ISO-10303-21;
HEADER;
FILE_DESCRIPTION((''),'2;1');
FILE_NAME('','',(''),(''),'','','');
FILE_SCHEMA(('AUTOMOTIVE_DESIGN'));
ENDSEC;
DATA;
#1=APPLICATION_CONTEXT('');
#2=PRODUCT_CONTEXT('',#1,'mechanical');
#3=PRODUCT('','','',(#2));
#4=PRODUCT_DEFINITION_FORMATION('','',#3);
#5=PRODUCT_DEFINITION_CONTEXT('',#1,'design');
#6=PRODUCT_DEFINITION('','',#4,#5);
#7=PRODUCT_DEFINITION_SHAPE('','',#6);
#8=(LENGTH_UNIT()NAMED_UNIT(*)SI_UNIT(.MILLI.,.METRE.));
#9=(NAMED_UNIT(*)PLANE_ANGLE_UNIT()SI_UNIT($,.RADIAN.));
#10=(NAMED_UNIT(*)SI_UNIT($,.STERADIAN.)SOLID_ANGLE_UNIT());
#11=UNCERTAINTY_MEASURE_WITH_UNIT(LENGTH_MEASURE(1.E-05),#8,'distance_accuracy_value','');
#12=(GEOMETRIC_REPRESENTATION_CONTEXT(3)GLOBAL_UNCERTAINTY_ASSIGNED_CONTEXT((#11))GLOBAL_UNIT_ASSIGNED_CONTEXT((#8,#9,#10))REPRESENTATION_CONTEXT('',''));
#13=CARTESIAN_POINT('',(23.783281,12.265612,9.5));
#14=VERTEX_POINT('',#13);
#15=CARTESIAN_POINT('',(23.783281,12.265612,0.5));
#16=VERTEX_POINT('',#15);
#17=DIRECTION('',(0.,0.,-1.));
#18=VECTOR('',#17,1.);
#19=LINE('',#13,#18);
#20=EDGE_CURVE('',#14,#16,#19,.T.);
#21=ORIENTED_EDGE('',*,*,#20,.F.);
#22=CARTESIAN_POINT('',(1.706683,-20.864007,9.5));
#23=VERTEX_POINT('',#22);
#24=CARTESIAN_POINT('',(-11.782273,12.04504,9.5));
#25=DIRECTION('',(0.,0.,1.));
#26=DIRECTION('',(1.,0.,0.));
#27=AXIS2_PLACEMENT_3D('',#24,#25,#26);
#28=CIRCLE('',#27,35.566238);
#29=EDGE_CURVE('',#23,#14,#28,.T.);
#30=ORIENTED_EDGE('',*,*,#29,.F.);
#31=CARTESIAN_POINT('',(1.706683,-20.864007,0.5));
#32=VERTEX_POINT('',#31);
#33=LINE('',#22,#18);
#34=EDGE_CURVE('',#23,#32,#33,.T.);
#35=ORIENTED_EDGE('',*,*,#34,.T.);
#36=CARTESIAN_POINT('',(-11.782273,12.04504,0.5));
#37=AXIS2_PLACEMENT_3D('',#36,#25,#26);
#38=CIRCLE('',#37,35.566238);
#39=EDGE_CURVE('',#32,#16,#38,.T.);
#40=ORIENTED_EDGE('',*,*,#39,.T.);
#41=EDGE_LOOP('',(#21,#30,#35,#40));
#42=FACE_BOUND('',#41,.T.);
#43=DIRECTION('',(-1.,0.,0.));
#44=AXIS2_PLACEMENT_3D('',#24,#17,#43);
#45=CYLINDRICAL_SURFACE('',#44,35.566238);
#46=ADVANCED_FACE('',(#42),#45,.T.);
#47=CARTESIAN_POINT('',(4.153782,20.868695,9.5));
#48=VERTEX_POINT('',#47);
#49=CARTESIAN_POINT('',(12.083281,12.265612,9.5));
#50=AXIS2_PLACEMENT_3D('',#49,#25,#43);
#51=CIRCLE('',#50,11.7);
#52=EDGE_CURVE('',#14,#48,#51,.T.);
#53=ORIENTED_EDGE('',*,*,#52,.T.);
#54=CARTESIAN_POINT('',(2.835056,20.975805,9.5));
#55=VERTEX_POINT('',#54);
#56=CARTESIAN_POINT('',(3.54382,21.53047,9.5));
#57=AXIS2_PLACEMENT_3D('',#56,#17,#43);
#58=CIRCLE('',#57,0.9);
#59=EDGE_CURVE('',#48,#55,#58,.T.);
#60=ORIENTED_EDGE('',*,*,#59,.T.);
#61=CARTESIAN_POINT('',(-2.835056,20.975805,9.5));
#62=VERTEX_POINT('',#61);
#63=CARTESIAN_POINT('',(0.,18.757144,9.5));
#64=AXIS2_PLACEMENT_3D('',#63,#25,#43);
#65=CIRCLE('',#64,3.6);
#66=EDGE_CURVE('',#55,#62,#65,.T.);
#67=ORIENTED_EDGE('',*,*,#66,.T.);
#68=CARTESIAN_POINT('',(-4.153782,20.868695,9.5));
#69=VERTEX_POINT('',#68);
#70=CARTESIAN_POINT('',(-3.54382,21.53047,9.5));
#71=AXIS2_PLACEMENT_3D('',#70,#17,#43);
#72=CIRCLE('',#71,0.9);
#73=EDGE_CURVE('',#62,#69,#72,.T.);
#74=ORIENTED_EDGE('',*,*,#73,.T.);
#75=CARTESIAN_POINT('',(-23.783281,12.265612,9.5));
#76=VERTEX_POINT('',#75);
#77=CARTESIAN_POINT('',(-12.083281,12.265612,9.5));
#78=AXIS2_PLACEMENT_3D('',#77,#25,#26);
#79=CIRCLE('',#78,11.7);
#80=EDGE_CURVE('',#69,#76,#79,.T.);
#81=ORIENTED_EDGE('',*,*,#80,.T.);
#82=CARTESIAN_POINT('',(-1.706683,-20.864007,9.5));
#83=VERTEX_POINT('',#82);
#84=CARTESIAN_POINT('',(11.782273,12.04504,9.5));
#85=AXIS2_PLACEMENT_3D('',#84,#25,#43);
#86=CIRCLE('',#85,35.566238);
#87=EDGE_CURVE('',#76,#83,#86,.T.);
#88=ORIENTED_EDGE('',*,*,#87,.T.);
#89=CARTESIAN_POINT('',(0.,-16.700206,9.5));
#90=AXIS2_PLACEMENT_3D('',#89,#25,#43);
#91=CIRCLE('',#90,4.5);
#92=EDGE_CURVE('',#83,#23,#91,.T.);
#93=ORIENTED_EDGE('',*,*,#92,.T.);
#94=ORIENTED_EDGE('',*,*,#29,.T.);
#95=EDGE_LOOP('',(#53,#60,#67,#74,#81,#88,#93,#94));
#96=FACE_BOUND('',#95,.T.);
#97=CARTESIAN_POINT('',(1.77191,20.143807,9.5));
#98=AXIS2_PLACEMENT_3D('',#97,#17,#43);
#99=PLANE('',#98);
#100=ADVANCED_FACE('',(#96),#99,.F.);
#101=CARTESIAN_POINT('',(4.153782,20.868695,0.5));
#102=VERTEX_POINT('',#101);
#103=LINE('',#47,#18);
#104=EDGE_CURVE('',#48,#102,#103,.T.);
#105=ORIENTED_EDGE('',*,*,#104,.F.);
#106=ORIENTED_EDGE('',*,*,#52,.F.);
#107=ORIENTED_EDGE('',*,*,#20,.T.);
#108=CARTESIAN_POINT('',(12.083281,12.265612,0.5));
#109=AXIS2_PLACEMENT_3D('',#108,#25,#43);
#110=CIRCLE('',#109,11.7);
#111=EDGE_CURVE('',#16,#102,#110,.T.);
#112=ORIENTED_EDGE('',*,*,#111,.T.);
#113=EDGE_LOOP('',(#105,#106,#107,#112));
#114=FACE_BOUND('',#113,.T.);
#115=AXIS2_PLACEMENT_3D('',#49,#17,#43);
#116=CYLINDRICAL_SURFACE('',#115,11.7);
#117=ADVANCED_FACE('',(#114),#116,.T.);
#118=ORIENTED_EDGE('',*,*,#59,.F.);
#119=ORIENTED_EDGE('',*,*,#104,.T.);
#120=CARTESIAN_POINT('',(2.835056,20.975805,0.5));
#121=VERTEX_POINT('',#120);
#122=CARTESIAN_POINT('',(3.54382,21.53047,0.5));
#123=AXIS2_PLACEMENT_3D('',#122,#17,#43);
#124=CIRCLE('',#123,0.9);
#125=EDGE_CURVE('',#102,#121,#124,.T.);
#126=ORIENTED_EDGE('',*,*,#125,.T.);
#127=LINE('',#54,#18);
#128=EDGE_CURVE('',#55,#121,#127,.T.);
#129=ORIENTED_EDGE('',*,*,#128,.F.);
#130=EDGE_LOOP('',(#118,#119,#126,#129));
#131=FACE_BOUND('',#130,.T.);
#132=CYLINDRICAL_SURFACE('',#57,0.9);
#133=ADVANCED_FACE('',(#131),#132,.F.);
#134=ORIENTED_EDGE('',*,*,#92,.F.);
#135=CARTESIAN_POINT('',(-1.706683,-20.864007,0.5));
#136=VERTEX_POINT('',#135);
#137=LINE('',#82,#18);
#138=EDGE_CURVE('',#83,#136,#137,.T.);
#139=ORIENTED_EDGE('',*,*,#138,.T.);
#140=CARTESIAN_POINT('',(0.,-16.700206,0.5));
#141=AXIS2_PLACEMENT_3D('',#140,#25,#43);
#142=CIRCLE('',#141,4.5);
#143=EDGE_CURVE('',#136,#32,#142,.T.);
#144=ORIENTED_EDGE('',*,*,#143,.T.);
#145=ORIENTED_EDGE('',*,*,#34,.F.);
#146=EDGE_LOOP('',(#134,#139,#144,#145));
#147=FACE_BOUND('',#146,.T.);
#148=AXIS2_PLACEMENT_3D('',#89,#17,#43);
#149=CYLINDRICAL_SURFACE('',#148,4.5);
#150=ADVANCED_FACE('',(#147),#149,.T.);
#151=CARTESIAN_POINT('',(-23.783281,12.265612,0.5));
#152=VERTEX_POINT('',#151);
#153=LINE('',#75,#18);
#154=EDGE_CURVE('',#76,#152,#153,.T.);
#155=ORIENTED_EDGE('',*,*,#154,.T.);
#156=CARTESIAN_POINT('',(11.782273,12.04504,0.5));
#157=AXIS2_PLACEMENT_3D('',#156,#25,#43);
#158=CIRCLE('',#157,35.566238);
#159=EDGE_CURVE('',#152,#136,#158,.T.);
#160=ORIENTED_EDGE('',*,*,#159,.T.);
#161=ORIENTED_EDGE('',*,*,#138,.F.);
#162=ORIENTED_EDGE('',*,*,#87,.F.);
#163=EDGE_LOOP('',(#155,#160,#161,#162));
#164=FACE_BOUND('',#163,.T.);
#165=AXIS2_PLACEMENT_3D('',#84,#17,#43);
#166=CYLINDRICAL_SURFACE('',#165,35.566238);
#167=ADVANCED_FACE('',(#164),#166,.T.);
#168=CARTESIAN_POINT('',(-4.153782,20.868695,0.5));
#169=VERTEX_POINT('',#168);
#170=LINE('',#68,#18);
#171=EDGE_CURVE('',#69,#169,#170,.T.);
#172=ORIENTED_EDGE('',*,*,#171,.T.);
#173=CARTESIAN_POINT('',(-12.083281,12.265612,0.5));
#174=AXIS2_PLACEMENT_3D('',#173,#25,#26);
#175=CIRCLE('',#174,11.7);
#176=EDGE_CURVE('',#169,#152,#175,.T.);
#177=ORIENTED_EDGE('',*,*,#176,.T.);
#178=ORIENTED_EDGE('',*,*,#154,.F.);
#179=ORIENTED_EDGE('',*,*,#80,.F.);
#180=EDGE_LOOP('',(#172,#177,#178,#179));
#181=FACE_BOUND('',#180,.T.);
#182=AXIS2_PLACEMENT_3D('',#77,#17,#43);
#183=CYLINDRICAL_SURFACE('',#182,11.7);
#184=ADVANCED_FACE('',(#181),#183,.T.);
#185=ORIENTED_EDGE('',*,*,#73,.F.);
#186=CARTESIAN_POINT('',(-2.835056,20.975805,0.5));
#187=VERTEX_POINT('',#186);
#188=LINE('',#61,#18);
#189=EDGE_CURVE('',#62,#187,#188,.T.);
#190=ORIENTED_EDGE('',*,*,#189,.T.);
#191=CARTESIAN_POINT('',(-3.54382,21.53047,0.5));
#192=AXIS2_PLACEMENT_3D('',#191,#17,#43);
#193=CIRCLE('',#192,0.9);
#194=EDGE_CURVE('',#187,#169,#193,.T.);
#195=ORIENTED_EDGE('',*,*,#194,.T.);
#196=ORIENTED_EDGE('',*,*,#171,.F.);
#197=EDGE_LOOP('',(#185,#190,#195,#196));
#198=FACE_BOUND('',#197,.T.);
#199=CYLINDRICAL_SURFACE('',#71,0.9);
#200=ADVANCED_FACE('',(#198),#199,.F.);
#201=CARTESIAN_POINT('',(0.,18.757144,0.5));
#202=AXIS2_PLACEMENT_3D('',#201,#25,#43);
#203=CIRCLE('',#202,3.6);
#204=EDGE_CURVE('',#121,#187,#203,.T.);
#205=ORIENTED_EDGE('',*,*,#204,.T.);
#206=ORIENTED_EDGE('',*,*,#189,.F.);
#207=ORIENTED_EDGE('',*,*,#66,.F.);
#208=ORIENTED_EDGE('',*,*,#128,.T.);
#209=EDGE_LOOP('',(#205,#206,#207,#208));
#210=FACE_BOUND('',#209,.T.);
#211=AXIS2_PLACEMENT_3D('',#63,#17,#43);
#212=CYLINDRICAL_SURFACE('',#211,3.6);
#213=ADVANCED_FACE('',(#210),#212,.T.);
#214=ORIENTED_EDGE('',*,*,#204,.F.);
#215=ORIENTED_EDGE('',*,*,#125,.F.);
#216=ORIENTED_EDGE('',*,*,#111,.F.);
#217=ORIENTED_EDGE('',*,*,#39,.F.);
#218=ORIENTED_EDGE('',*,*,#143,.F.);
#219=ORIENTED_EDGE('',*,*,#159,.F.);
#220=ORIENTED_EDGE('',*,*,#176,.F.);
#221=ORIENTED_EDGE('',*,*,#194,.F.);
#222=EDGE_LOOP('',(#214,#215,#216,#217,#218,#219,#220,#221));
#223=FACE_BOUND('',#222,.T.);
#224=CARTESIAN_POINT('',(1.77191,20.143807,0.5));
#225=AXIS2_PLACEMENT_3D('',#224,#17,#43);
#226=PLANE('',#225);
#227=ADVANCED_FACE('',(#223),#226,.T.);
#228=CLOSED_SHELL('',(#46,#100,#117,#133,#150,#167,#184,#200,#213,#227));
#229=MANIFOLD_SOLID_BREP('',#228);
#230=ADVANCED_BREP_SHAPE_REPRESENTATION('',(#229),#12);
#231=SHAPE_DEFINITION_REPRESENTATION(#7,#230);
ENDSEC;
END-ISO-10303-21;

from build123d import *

# Parameters (mm, degrees)
DODANIE_WYCI_GNI_CIE1_DEPTH = 10
SKALA1_SCALE                = 0.9


with BuildPart() as part:
    # Szkic1 → Dodanie-wyciągnięcie1 (new body)
    with BuildSketch(Plane.XY):
        with BuildLine():
            ThreePointArc((-4.61531313, 22.743178996), (-18.644238864, 25.090860352), (-26.425868288, 13.184197993))
            ThreePointArc((-26.425868288, 13.184197993), (-19.794080105, -8.974802604), (-1.896314698, -23.62648904))
            ThreePointArc((-1.896314698, -23.62648904), (0, -24.000044339), (1.896314698, -23.62648904))
            ThreePointArc((1.896314698, -23.62648904), (19.794080105, -8.974802604), (26.425868288, 13.184197993))
            ThreePointArc((26.425868288, 13.184197993), (18.644238864, 25.090860352), (4.61531313, 22.743178996))
            ThreePointArc((4.61531313, 22.743178996), (3.856622065, 22.481767555), (3.150062494, 22.862190539))
            ThreePointArc((3.150062494, 22.862190539), (0, 24.397011786), (-3.150062494, 22.862190539))
            ThreePointArc((-3.150062494, 22.862190539), (-3.856622065, 22.481767555), (-4.61531313, 22.743178996))
        make_face()
    extrude(amount=DODANIE_WYCI_GNI_CIE1_DEPTH)


with BuildPart() as part_1:
    # Skala1: scaled about (0, 3.998335482, 5)
    add(part.part.scale(SKALA1_SCALE).moved(Location((0, 0.399833548, 0.5))))


solid = part_1.part
